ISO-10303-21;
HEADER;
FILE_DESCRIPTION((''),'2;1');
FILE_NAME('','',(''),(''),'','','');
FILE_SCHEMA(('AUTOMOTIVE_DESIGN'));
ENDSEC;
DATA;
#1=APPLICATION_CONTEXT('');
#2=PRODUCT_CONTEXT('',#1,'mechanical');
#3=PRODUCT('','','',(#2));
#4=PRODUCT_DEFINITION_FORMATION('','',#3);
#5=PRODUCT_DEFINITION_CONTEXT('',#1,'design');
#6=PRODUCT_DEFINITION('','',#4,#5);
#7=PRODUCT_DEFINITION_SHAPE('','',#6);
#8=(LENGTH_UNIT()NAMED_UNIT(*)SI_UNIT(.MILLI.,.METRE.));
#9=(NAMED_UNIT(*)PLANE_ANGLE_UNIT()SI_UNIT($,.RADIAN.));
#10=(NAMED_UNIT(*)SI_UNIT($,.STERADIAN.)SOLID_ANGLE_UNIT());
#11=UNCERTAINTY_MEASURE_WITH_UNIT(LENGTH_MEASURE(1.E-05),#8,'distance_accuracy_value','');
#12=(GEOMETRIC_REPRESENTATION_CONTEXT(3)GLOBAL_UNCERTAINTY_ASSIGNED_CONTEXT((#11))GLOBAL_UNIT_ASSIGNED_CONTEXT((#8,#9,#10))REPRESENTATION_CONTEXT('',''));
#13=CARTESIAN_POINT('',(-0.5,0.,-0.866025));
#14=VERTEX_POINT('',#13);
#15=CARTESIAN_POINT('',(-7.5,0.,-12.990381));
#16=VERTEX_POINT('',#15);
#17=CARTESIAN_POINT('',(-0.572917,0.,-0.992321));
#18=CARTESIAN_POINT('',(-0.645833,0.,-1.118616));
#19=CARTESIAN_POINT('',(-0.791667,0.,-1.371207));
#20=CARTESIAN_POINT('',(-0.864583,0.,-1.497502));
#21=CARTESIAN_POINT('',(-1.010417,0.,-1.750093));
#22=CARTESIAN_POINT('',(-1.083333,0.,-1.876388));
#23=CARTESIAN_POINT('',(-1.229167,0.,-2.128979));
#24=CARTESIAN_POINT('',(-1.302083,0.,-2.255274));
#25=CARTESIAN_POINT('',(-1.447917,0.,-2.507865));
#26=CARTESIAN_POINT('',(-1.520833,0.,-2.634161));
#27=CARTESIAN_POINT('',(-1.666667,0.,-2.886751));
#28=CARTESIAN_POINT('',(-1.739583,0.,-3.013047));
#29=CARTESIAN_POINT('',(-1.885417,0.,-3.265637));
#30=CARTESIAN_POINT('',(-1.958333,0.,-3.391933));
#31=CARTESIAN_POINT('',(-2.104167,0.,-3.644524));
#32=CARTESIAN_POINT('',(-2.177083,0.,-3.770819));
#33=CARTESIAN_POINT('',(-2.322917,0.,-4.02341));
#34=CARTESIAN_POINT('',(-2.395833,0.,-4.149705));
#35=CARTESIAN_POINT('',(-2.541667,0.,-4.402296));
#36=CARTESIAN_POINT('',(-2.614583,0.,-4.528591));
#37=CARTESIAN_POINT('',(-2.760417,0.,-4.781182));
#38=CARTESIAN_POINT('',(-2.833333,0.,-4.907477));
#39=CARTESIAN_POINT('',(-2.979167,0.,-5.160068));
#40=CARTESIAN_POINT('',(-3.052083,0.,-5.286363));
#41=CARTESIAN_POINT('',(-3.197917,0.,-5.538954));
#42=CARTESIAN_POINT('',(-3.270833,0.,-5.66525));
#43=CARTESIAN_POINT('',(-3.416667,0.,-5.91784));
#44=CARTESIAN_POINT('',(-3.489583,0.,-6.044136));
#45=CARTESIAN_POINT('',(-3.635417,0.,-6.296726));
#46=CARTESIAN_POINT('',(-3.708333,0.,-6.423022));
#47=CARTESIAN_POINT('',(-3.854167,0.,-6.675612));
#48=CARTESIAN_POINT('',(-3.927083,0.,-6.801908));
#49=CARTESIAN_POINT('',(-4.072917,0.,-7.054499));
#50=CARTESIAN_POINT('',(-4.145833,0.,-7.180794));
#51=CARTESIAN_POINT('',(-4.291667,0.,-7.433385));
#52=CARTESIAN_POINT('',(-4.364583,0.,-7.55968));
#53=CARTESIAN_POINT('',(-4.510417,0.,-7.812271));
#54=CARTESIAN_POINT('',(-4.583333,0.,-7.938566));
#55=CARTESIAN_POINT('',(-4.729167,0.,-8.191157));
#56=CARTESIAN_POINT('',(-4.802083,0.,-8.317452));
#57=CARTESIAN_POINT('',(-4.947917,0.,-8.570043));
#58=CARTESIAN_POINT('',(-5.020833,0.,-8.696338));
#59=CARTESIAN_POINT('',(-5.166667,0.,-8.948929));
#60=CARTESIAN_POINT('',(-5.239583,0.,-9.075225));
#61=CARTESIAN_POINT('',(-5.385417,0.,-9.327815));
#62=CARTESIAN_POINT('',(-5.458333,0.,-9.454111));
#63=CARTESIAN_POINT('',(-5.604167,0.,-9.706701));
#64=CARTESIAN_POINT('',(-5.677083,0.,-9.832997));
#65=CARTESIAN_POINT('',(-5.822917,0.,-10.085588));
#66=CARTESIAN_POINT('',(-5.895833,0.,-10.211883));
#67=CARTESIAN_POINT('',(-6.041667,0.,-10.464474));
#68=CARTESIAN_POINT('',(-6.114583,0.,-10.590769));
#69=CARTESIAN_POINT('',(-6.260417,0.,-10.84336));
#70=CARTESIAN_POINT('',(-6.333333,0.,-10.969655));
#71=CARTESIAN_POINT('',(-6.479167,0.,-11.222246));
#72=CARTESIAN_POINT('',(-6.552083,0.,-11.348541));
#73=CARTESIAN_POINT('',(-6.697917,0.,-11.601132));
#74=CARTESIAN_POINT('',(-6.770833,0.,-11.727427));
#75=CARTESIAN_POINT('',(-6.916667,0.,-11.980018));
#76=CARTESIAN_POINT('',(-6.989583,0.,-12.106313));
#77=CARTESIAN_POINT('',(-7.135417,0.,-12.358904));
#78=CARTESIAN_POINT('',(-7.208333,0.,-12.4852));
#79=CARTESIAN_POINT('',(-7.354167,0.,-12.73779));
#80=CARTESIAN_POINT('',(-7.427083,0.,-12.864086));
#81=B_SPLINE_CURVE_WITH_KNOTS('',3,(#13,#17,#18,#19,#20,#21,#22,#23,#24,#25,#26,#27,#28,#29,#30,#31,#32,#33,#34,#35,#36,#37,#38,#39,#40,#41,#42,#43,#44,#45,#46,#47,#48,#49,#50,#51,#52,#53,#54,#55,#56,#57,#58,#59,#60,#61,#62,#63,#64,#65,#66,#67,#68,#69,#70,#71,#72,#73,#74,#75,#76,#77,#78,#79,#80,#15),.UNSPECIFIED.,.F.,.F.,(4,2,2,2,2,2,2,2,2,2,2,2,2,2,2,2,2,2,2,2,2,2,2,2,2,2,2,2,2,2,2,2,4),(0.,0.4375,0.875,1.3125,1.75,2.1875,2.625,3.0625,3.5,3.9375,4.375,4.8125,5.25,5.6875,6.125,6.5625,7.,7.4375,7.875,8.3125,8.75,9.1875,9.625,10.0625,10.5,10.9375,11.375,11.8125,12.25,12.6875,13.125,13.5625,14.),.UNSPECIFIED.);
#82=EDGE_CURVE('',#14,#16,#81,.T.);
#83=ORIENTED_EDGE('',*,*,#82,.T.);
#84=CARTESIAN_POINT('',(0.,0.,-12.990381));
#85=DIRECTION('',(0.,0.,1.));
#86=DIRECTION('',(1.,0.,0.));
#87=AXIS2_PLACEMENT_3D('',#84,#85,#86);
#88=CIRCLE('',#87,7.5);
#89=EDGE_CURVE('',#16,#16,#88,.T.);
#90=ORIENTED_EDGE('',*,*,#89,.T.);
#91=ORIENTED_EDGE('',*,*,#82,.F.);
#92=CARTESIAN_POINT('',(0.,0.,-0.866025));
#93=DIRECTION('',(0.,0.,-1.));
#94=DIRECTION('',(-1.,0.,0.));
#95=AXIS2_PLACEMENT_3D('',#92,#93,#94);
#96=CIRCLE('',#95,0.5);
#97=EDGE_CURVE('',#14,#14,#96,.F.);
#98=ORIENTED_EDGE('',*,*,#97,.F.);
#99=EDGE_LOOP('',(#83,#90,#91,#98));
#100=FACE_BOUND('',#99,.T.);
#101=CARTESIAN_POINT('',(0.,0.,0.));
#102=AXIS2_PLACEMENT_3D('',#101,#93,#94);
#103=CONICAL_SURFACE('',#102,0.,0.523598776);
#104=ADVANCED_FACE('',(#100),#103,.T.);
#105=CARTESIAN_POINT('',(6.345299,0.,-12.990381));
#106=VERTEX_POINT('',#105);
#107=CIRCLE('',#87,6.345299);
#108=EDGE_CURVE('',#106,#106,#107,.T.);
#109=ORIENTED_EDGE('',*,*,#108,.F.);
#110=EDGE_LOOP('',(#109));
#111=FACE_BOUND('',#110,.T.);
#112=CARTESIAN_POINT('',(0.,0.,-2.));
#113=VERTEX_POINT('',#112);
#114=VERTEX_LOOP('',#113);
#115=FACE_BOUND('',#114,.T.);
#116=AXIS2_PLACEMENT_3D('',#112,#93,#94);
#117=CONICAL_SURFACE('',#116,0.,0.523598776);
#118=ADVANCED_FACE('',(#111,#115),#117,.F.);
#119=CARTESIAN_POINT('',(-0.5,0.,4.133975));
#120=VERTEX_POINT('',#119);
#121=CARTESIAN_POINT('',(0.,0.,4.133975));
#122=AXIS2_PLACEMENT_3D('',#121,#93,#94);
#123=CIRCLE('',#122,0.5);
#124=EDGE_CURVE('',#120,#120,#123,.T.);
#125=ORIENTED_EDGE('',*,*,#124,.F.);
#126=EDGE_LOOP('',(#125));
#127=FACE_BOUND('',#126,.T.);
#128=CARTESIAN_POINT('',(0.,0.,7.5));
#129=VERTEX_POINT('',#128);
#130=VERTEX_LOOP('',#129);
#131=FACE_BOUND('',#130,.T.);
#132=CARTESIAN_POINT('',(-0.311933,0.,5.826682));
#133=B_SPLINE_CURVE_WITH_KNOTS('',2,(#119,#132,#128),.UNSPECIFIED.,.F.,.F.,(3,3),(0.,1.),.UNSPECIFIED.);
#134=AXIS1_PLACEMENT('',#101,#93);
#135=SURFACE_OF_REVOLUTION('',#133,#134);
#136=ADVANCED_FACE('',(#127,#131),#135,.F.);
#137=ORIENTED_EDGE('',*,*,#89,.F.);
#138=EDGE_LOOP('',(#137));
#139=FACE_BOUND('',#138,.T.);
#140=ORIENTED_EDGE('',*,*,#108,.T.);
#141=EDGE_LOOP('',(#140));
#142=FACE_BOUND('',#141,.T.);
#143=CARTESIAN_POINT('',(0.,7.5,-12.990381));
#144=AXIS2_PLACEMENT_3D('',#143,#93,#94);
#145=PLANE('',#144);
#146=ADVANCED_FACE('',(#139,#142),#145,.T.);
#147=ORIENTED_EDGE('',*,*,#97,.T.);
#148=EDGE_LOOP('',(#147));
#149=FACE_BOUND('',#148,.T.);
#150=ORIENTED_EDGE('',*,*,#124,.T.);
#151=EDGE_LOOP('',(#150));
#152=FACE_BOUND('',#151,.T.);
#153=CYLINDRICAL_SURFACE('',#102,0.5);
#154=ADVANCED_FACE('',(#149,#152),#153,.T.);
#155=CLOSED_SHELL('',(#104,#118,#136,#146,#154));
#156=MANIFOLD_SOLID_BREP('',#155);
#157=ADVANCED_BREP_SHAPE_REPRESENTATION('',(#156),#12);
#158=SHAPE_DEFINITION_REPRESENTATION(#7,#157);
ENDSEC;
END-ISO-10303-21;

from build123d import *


with BuildPart() as part:
    # 草圖1 → 旋轉1 (revolve)
    with BuildSketch(Plane(origin=(0, 0, 0), x_dir=(0, 0, -1), z_dir=(1, 0, 0)), mode=Mode.PRIVATE) as revolve_1_sk:
        Polygon((0, 0), (12.990381057, 7.5), (12.990381057, 6.345299462), (2, 0), align=None)
    revolve(revolve_1_sk.sketch.rotate(Axis((0, 0, 0), (0, 0, -1)), 270), axis=Axis((0, 0, 0), (0, 0, -1)))

    # 草圖5 → 旋轉2 (revolve)
    with BuildSketch(Plane(origin=(0, 0, 0), x_dir=(1, 0, 0), z_dir=(0, 1, 0))):
        with BuildLine():
            Line((-0.5, -4.133974596), (-0.5, 0.866025404))
            Line((-0.5, 0.866025404), (0, 0))
            Line((0, 0), (0, -7.5))
            add(Edge.make_bspline(
                [(-0.5, -4.133974596), (-0.311933275, -5.826681962), (0, -7.5)],
                knots=[0, 0, 0, 1, 1, 1], degree=2))
        make_face()
    revolve(axis=Axis((0, 0, 0), (0, 0, 1)))


solid = part.part
